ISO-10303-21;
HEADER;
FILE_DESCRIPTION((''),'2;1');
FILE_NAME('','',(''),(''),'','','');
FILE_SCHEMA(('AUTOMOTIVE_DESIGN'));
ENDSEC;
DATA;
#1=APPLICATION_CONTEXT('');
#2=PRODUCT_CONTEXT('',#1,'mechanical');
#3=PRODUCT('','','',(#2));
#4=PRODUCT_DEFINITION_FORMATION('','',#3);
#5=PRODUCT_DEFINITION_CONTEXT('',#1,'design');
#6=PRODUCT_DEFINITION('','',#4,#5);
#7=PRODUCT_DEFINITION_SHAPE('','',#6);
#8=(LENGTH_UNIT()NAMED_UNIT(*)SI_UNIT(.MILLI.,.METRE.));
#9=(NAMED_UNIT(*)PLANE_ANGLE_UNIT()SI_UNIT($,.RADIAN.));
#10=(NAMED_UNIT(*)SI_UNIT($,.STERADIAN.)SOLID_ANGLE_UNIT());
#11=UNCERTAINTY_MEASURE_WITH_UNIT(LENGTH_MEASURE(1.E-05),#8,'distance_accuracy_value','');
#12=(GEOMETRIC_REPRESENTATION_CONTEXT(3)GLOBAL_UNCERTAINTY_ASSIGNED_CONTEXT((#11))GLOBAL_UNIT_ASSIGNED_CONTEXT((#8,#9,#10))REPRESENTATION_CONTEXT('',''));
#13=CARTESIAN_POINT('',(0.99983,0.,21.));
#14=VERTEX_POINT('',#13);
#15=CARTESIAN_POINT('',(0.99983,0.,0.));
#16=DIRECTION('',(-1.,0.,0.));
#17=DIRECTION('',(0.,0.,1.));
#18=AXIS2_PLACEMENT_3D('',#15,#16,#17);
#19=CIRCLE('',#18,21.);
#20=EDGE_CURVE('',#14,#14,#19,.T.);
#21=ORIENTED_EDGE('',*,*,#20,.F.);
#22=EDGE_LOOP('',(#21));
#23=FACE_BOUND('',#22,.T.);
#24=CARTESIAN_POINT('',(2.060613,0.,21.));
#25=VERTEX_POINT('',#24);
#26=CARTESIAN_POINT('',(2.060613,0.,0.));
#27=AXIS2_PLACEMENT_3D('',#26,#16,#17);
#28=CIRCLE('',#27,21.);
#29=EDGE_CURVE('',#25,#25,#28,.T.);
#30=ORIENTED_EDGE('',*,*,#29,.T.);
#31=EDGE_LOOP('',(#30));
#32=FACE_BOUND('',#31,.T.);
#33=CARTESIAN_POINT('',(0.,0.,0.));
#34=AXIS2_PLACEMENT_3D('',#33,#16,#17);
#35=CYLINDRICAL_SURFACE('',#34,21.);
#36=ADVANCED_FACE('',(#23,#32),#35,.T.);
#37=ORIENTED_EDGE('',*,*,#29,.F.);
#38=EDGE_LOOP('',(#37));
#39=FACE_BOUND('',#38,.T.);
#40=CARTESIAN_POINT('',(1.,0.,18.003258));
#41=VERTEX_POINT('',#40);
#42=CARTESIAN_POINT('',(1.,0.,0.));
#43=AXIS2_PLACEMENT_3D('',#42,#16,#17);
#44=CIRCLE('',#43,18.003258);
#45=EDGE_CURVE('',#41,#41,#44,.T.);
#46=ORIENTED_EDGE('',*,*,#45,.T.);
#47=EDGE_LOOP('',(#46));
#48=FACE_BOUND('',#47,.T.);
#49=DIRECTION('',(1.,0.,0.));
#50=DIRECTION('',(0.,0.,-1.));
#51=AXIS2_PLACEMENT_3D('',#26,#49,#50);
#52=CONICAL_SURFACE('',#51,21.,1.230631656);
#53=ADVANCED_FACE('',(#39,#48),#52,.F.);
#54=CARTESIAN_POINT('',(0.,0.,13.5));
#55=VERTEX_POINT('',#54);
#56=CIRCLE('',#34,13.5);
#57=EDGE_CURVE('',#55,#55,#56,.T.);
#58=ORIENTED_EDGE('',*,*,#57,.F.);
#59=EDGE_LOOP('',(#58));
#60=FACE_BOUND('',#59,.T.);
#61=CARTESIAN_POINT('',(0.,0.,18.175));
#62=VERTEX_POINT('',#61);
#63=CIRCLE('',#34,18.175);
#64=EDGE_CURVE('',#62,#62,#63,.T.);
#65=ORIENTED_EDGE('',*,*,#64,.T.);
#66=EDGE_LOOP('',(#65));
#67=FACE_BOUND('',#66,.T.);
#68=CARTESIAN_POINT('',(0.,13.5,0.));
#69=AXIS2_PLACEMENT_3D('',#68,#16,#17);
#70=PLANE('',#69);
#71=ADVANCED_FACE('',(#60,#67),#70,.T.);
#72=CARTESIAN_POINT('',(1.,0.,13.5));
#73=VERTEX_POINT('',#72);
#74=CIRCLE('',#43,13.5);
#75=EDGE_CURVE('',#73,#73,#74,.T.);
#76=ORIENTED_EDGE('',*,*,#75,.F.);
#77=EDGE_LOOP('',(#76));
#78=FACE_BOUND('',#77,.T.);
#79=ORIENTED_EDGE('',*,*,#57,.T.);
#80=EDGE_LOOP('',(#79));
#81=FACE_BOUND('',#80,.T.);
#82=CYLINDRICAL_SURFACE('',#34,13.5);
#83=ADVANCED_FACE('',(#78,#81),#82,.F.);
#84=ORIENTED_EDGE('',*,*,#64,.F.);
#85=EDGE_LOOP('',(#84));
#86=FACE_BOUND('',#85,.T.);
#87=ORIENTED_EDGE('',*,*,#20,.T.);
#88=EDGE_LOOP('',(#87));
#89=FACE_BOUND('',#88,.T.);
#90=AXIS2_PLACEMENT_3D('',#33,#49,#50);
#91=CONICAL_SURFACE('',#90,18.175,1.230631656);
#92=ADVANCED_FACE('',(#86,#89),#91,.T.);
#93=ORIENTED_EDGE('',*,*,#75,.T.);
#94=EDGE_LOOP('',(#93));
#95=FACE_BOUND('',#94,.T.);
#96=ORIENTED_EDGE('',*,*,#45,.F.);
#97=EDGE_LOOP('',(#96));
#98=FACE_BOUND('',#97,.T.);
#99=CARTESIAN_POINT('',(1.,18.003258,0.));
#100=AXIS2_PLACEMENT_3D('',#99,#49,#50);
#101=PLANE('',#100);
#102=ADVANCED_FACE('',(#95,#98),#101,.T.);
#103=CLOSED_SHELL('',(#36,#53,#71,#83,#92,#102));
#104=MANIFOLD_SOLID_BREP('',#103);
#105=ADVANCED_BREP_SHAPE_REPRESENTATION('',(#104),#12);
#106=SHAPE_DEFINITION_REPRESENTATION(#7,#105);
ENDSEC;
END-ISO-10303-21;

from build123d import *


with BuildPart() as part:
    # Esquisse1 → Base-Révolution (revolve)
    with BuildSketch(Plane.XY):
        Polygon((0, 13.5), (0, 18.175), (0.999830117, 21), (2.060613271, 21), (1, 18.003258415), (1, 13.5), align=None)
    revolve(axis=Axis((0, 0, 0), (1, 0, 0)))


solid = part.part
